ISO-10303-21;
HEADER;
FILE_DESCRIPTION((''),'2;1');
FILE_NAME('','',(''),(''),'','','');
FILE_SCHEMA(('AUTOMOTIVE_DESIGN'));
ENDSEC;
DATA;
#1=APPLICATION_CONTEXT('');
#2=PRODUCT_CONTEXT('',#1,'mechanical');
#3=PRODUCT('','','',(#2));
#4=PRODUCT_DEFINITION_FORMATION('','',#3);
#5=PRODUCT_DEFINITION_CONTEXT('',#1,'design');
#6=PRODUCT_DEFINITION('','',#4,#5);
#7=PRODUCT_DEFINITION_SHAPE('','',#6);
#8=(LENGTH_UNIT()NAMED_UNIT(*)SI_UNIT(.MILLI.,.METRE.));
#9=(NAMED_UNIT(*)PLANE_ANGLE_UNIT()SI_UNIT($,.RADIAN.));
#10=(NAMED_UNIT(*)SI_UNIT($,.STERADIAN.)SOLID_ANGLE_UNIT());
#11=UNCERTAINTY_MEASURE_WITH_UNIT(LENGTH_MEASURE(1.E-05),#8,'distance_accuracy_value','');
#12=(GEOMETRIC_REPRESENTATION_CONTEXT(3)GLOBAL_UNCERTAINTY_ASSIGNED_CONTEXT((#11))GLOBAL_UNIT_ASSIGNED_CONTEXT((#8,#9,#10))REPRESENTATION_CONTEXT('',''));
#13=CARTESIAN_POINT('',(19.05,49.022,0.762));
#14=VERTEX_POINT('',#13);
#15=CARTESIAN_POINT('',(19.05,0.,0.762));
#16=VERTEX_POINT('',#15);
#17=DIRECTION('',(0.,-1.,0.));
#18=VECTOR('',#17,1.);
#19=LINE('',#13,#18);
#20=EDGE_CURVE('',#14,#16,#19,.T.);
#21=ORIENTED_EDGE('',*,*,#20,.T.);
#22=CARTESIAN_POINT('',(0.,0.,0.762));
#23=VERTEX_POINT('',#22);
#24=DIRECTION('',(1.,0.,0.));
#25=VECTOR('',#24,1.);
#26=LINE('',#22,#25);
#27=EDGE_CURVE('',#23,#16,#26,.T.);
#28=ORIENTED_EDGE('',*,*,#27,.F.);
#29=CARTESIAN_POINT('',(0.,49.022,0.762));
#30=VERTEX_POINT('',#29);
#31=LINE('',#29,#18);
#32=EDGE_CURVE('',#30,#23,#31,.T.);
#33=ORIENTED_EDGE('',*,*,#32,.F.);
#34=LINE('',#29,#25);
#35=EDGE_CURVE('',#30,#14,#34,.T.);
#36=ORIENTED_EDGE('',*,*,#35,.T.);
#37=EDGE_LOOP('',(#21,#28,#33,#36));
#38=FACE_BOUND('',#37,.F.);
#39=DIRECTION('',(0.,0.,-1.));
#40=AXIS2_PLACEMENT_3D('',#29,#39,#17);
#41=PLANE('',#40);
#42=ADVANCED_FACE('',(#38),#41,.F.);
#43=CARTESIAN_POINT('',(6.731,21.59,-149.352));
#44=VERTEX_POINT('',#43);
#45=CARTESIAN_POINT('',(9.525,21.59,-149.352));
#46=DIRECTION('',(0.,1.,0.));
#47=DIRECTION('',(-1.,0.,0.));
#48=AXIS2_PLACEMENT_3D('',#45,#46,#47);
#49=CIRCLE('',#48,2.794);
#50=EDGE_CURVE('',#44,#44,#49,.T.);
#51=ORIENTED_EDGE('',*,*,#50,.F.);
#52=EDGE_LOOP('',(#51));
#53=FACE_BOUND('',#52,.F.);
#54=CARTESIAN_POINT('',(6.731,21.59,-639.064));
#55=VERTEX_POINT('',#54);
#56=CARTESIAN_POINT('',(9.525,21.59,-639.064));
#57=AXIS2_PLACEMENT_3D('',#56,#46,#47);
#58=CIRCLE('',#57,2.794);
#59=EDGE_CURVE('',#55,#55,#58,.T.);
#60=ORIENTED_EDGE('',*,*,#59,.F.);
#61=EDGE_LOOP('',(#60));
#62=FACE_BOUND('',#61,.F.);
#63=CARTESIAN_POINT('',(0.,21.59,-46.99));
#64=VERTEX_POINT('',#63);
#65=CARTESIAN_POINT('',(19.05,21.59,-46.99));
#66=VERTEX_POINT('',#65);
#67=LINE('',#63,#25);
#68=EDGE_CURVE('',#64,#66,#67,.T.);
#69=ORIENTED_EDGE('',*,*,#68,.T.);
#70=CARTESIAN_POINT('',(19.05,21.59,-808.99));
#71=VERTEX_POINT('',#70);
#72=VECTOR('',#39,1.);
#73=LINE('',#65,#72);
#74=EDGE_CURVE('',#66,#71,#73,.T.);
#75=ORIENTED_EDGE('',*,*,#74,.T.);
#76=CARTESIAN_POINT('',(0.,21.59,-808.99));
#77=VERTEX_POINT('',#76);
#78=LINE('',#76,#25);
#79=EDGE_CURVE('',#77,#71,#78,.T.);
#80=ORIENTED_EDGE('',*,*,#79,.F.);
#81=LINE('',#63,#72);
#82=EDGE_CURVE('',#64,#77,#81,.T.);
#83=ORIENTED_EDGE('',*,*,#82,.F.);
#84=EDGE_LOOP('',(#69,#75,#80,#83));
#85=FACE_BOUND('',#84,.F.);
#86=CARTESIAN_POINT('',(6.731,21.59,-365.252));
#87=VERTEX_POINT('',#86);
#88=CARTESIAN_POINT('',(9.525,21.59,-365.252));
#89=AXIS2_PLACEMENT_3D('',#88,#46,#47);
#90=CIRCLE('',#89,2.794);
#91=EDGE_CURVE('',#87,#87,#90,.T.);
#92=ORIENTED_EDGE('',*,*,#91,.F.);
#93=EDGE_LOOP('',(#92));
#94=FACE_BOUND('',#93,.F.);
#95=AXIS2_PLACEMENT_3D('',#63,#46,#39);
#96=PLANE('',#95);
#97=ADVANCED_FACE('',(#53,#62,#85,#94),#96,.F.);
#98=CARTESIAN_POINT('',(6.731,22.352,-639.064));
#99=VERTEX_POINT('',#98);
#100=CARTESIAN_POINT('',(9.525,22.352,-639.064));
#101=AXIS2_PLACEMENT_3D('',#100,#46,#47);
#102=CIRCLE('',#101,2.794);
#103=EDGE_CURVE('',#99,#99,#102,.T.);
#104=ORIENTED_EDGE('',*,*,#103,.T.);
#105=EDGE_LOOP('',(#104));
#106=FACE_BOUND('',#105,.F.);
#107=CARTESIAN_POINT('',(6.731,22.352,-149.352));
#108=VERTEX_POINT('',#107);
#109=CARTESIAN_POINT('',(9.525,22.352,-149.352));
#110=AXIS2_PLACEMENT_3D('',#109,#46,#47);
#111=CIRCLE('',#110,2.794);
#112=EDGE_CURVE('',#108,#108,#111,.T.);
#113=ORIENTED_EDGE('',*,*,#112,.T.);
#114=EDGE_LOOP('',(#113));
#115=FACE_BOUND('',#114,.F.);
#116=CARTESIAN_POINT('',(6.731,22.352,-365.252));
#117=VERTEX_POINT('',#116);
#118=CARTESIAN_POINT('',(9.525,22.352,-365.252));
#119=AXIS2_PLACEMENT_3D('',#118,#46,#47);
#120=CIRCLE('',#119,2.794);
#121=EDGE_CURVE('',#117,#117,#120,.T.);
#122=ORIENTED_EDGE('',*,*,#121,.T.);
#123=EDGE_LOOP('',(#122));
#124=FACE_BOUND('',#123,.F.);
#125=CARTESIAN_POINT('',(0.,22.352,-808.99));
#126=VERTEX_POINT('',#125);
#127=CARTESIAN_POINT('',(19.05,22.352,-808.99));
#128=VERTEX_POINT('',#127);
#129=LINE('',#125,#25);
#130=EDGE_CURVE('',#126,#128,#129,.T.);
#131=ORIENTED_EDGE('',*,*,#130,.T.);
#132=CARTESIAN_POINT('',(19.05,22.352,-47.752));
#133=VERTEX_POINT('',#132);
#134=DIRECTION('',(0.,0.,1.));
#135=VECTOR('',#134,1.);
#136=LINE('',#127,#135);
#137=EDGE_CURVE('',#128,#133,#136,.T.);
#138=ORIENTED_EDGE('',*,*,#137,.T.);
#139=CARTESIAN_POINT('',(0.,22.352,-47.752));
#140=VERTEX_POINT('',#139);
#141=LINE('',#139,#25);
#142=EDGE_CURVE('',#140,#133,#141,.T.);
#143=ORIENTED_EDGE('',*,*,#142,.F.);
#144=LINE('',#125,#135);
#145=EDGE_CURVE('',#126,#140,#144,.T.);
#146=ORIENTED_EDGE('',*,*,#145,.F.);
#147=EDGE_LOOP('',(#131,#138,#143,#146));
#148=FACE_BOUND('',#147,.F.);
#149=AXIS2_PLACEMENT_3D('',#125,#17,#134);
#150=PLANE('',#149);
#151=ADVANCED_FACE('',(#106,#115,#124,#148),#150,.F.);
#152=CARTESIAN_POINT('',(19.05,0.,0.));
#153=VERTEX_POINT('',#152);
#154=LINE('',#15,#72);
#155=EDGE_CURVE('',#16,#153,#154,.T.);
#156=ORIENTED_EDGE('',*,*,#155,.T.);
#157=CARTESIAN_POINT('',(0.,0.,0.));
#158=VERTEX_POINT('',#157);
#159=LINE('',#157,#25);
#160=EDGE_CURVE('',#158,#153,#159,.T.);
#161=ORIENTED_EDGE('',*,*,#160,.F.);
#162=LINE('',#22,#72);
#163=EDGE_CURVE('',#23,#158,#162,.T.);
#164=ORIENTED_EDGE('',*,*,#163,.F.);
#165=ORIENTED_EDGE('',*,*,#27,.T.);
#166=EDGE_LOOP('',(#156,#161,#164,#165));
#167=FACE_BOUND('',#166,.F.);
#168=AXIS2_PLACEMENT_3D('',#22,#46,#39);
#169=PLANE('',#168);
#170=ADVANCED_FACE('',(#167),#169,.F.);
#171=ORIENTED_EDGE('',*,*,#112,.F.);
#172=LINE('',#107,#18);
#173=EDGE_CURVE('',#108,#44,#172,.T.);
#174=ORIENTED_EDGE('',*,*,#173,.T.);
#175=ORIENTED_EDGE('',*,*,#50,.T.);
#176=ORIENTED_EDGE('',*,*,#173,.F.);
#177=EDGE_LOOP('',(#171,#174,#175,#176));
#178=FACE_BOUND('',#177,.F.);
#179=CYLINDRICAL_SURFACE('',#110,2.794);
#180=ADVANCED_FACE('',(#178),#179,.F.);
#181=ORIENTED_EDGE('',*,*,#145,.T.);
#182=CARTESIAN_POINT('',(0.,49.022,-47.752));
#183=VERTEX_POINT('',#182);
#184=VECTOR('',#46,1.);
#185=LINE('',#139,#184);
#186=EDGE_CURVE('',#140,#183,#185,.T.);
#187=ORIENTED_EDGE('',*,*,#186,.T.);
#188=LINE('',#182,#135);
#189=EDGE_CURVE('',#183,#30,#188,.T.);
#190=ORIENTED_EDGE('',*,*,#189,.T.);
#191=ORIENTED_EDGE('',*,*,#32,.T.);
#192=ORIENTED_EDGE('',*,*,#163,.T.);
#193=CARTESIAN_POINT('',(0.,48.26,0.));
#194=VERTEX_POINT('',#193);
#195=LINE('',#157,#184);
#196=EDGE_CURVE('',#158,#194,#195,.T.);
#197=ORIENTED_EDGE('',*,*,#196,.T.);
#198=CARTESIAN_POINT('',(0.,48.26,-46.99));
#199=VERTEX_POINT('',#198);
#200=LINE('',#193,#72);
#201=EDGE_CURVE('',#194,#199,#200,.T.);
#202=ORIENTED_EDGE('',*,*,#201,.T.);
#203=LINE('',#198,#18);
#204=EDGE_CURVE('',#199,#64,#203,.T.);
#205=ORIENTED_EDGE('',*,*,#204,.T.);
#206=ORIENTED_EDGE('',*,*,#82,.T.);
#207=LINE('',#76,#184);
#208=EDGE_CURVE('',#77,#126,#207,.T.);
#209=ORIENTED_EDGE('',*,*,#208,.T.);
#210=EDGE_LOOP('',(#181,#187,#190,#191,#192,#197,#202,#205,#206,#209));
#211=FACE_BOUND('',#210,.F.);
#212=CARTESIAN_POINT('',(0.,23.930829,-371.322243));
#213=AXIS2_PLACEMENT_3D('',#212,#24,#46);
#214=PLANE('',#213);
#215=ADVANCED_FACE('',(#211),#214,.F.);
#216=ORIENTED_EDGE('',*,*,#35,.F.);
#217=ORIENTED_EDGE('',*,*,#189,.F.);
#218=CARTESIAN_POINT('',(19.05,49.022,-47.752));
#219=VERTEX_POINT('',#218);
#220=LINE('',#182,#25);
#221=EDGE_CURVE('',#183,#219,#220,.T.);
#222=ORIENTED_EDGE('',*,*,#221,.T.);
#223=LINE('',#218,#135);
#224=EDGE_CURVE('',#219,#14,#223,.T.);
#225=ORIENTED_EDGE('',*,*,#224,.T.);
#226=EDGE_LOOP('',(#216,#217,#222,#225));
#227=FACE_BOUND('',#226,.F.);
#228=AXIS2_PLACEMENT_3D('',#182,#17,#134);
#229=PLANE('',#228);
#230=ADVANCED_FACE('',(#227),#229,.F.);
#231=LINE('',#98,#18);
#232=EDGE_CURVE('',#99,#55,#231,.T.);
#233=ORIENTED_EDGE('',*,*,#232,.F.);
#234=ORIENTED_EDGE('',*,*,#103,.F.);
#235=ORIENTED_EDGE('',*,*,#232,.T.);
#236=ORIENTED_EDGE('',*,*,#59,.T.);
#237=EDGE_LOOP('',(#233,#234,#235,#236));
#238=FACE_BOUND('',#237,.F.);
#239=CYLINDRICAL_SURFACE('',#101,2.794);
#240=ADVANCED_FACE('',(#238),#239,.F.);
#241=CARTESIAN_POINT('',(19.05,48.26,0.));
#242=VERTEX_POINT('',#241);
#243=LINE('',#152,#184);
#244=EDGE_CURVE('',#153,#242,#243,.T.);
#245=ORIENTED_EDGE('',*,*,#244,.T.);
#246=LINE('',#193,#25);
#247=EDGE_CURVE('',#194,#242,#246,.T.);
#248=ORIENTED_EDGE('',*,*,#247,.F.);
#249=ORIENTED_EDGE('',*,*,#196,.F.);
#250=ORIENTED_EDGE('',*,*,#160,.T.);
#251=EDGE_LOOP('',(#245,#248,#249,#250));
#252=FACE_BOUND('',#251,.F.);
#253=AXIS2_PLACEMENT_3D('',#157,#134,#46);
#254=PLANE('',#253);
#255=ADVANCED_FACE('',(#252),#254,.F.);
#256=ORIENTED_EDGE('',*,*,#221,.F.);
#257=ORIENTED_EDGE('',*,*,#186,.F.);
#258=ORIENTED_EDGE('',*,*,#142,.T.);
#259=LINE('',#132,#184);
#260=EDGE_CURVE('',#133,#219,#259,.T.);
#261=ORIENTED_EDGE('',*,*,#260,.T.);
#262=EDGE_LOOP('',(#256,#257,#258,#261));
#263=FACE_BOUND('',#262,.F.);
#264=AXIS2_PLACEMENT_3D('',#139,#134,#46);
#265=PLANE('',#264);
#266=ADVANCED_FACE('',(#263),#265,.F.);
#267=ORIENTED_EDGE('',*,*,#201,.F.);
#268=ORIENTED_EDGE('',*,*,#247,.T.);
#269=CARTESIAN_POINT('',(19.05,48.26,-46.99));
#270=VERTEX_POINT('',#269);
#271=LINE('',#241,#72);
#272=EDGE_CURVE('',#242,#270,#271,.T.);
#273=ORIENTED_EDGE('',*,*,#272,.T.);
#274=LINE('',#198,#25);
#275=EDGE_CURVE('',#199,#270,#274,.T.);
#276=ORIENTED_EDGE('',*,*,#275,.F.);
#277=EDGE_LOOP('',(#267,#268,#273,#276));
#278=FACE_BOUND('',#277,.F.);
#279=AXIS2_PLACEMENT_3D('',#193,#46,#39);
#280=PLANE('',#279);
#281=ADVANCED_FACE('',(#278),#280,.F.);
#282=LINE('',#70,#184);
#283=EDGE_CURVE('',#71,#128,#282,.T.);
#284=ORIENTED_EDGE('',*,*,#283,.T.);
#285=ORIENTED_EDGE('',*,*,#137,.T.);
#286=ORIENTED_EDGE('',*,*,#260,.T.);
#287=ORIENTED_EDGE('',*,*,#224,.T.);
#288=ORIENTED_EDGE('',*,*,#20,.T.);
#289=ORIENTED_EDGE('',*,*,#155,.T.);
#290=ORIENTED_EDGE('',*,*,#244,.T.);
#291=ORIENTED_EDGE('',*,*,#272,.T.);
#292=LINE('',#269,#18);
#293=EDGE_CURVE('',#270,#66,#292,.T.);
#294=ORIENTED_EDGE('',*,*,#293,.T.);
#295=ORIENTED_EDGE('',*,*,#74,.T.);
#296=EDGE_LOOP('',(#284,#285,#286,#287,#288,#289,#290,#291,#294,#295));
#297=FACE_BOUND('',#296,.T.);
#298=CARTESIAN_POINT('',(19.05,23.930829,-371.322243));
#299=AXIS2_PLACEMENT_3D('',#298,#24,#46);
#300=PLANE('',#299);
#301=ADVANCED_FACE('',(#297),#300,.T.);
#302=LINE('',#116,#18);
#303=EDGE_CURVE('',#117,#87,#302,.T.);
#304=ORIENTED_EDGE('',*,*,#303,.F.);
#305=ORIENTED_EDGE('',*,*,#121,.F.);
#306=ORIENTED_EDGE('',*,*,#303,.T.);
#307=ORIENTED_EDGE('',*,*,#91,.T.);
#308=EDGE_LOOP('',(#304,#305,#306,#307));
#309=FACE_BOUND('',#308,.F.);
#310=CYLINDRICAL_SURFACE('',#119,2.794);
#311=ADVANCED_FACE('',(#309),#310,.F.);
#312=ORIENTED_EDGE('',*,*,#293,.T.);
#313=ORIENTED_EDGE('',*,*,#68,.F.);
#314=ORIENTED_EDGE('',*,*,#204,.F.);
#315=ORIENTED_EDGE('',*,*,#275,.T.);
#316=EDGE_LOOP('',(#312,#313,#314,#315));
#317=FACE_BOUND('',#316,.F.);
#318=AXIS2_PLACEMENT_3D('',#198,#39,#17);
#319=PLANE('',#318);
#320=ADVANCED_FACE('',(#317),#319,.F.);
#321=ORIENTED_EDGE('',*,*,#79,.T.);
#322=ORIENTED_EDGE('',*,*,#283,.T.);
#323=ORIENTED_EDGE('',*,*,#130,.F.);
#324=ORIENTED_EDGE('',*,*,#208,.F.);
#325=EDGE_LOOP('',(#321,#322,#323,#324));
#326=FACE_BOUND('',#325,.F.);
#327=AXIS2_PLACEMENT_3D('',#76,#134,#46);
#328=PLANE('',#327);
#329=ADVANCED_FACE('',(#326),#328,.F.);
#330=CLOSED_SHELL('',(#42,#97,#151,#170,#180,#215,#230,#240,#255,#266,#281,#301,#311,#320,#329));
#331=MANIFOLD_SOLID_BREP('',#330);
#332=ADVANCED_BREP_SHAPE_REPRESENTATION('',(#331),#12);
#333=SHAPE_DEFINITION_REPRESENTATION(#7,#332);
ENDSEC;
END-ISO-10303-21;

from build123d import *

# Parameters (mm, degrees)
F1_DEPTH = 19.05
F2_R     = 2.794
F3_DEPTH = 25.4


with BuildPart() as f1:
    # F0 (on Right) → F1 (new body)
    with BuildSketch(Plane.YZ):
        Polygon((0, 0.762), (0, 0), (48.26, 0), (48.26, -46.99), (21.59, -46.99), (21.59, -808.99), (22.352, -808.99), (22.352, -47.752), (49.022, -47.752), (49.022, 0.762), align=None)
    extrude(amount=F1_DEPTH)

    # F2 (on face) → F3 (cut)
    with BuildSketch(Plane(origin=(0, 22.352, 0), x_dir=(-1, 0, 0), z_dir=(0, 1, 0))):
        with Locations((-9.525, -149.352)):
            Circle(F2_R)
        with Locations((-9.525, -365.252)):
            Circle(F2_R)
        with Locations((-9.525, -639.064)):
            Circle(F2_R)
    extrude(amount=-F3_DEPTH, mode=Mode.SUBTRACT)


solid = f1.part
